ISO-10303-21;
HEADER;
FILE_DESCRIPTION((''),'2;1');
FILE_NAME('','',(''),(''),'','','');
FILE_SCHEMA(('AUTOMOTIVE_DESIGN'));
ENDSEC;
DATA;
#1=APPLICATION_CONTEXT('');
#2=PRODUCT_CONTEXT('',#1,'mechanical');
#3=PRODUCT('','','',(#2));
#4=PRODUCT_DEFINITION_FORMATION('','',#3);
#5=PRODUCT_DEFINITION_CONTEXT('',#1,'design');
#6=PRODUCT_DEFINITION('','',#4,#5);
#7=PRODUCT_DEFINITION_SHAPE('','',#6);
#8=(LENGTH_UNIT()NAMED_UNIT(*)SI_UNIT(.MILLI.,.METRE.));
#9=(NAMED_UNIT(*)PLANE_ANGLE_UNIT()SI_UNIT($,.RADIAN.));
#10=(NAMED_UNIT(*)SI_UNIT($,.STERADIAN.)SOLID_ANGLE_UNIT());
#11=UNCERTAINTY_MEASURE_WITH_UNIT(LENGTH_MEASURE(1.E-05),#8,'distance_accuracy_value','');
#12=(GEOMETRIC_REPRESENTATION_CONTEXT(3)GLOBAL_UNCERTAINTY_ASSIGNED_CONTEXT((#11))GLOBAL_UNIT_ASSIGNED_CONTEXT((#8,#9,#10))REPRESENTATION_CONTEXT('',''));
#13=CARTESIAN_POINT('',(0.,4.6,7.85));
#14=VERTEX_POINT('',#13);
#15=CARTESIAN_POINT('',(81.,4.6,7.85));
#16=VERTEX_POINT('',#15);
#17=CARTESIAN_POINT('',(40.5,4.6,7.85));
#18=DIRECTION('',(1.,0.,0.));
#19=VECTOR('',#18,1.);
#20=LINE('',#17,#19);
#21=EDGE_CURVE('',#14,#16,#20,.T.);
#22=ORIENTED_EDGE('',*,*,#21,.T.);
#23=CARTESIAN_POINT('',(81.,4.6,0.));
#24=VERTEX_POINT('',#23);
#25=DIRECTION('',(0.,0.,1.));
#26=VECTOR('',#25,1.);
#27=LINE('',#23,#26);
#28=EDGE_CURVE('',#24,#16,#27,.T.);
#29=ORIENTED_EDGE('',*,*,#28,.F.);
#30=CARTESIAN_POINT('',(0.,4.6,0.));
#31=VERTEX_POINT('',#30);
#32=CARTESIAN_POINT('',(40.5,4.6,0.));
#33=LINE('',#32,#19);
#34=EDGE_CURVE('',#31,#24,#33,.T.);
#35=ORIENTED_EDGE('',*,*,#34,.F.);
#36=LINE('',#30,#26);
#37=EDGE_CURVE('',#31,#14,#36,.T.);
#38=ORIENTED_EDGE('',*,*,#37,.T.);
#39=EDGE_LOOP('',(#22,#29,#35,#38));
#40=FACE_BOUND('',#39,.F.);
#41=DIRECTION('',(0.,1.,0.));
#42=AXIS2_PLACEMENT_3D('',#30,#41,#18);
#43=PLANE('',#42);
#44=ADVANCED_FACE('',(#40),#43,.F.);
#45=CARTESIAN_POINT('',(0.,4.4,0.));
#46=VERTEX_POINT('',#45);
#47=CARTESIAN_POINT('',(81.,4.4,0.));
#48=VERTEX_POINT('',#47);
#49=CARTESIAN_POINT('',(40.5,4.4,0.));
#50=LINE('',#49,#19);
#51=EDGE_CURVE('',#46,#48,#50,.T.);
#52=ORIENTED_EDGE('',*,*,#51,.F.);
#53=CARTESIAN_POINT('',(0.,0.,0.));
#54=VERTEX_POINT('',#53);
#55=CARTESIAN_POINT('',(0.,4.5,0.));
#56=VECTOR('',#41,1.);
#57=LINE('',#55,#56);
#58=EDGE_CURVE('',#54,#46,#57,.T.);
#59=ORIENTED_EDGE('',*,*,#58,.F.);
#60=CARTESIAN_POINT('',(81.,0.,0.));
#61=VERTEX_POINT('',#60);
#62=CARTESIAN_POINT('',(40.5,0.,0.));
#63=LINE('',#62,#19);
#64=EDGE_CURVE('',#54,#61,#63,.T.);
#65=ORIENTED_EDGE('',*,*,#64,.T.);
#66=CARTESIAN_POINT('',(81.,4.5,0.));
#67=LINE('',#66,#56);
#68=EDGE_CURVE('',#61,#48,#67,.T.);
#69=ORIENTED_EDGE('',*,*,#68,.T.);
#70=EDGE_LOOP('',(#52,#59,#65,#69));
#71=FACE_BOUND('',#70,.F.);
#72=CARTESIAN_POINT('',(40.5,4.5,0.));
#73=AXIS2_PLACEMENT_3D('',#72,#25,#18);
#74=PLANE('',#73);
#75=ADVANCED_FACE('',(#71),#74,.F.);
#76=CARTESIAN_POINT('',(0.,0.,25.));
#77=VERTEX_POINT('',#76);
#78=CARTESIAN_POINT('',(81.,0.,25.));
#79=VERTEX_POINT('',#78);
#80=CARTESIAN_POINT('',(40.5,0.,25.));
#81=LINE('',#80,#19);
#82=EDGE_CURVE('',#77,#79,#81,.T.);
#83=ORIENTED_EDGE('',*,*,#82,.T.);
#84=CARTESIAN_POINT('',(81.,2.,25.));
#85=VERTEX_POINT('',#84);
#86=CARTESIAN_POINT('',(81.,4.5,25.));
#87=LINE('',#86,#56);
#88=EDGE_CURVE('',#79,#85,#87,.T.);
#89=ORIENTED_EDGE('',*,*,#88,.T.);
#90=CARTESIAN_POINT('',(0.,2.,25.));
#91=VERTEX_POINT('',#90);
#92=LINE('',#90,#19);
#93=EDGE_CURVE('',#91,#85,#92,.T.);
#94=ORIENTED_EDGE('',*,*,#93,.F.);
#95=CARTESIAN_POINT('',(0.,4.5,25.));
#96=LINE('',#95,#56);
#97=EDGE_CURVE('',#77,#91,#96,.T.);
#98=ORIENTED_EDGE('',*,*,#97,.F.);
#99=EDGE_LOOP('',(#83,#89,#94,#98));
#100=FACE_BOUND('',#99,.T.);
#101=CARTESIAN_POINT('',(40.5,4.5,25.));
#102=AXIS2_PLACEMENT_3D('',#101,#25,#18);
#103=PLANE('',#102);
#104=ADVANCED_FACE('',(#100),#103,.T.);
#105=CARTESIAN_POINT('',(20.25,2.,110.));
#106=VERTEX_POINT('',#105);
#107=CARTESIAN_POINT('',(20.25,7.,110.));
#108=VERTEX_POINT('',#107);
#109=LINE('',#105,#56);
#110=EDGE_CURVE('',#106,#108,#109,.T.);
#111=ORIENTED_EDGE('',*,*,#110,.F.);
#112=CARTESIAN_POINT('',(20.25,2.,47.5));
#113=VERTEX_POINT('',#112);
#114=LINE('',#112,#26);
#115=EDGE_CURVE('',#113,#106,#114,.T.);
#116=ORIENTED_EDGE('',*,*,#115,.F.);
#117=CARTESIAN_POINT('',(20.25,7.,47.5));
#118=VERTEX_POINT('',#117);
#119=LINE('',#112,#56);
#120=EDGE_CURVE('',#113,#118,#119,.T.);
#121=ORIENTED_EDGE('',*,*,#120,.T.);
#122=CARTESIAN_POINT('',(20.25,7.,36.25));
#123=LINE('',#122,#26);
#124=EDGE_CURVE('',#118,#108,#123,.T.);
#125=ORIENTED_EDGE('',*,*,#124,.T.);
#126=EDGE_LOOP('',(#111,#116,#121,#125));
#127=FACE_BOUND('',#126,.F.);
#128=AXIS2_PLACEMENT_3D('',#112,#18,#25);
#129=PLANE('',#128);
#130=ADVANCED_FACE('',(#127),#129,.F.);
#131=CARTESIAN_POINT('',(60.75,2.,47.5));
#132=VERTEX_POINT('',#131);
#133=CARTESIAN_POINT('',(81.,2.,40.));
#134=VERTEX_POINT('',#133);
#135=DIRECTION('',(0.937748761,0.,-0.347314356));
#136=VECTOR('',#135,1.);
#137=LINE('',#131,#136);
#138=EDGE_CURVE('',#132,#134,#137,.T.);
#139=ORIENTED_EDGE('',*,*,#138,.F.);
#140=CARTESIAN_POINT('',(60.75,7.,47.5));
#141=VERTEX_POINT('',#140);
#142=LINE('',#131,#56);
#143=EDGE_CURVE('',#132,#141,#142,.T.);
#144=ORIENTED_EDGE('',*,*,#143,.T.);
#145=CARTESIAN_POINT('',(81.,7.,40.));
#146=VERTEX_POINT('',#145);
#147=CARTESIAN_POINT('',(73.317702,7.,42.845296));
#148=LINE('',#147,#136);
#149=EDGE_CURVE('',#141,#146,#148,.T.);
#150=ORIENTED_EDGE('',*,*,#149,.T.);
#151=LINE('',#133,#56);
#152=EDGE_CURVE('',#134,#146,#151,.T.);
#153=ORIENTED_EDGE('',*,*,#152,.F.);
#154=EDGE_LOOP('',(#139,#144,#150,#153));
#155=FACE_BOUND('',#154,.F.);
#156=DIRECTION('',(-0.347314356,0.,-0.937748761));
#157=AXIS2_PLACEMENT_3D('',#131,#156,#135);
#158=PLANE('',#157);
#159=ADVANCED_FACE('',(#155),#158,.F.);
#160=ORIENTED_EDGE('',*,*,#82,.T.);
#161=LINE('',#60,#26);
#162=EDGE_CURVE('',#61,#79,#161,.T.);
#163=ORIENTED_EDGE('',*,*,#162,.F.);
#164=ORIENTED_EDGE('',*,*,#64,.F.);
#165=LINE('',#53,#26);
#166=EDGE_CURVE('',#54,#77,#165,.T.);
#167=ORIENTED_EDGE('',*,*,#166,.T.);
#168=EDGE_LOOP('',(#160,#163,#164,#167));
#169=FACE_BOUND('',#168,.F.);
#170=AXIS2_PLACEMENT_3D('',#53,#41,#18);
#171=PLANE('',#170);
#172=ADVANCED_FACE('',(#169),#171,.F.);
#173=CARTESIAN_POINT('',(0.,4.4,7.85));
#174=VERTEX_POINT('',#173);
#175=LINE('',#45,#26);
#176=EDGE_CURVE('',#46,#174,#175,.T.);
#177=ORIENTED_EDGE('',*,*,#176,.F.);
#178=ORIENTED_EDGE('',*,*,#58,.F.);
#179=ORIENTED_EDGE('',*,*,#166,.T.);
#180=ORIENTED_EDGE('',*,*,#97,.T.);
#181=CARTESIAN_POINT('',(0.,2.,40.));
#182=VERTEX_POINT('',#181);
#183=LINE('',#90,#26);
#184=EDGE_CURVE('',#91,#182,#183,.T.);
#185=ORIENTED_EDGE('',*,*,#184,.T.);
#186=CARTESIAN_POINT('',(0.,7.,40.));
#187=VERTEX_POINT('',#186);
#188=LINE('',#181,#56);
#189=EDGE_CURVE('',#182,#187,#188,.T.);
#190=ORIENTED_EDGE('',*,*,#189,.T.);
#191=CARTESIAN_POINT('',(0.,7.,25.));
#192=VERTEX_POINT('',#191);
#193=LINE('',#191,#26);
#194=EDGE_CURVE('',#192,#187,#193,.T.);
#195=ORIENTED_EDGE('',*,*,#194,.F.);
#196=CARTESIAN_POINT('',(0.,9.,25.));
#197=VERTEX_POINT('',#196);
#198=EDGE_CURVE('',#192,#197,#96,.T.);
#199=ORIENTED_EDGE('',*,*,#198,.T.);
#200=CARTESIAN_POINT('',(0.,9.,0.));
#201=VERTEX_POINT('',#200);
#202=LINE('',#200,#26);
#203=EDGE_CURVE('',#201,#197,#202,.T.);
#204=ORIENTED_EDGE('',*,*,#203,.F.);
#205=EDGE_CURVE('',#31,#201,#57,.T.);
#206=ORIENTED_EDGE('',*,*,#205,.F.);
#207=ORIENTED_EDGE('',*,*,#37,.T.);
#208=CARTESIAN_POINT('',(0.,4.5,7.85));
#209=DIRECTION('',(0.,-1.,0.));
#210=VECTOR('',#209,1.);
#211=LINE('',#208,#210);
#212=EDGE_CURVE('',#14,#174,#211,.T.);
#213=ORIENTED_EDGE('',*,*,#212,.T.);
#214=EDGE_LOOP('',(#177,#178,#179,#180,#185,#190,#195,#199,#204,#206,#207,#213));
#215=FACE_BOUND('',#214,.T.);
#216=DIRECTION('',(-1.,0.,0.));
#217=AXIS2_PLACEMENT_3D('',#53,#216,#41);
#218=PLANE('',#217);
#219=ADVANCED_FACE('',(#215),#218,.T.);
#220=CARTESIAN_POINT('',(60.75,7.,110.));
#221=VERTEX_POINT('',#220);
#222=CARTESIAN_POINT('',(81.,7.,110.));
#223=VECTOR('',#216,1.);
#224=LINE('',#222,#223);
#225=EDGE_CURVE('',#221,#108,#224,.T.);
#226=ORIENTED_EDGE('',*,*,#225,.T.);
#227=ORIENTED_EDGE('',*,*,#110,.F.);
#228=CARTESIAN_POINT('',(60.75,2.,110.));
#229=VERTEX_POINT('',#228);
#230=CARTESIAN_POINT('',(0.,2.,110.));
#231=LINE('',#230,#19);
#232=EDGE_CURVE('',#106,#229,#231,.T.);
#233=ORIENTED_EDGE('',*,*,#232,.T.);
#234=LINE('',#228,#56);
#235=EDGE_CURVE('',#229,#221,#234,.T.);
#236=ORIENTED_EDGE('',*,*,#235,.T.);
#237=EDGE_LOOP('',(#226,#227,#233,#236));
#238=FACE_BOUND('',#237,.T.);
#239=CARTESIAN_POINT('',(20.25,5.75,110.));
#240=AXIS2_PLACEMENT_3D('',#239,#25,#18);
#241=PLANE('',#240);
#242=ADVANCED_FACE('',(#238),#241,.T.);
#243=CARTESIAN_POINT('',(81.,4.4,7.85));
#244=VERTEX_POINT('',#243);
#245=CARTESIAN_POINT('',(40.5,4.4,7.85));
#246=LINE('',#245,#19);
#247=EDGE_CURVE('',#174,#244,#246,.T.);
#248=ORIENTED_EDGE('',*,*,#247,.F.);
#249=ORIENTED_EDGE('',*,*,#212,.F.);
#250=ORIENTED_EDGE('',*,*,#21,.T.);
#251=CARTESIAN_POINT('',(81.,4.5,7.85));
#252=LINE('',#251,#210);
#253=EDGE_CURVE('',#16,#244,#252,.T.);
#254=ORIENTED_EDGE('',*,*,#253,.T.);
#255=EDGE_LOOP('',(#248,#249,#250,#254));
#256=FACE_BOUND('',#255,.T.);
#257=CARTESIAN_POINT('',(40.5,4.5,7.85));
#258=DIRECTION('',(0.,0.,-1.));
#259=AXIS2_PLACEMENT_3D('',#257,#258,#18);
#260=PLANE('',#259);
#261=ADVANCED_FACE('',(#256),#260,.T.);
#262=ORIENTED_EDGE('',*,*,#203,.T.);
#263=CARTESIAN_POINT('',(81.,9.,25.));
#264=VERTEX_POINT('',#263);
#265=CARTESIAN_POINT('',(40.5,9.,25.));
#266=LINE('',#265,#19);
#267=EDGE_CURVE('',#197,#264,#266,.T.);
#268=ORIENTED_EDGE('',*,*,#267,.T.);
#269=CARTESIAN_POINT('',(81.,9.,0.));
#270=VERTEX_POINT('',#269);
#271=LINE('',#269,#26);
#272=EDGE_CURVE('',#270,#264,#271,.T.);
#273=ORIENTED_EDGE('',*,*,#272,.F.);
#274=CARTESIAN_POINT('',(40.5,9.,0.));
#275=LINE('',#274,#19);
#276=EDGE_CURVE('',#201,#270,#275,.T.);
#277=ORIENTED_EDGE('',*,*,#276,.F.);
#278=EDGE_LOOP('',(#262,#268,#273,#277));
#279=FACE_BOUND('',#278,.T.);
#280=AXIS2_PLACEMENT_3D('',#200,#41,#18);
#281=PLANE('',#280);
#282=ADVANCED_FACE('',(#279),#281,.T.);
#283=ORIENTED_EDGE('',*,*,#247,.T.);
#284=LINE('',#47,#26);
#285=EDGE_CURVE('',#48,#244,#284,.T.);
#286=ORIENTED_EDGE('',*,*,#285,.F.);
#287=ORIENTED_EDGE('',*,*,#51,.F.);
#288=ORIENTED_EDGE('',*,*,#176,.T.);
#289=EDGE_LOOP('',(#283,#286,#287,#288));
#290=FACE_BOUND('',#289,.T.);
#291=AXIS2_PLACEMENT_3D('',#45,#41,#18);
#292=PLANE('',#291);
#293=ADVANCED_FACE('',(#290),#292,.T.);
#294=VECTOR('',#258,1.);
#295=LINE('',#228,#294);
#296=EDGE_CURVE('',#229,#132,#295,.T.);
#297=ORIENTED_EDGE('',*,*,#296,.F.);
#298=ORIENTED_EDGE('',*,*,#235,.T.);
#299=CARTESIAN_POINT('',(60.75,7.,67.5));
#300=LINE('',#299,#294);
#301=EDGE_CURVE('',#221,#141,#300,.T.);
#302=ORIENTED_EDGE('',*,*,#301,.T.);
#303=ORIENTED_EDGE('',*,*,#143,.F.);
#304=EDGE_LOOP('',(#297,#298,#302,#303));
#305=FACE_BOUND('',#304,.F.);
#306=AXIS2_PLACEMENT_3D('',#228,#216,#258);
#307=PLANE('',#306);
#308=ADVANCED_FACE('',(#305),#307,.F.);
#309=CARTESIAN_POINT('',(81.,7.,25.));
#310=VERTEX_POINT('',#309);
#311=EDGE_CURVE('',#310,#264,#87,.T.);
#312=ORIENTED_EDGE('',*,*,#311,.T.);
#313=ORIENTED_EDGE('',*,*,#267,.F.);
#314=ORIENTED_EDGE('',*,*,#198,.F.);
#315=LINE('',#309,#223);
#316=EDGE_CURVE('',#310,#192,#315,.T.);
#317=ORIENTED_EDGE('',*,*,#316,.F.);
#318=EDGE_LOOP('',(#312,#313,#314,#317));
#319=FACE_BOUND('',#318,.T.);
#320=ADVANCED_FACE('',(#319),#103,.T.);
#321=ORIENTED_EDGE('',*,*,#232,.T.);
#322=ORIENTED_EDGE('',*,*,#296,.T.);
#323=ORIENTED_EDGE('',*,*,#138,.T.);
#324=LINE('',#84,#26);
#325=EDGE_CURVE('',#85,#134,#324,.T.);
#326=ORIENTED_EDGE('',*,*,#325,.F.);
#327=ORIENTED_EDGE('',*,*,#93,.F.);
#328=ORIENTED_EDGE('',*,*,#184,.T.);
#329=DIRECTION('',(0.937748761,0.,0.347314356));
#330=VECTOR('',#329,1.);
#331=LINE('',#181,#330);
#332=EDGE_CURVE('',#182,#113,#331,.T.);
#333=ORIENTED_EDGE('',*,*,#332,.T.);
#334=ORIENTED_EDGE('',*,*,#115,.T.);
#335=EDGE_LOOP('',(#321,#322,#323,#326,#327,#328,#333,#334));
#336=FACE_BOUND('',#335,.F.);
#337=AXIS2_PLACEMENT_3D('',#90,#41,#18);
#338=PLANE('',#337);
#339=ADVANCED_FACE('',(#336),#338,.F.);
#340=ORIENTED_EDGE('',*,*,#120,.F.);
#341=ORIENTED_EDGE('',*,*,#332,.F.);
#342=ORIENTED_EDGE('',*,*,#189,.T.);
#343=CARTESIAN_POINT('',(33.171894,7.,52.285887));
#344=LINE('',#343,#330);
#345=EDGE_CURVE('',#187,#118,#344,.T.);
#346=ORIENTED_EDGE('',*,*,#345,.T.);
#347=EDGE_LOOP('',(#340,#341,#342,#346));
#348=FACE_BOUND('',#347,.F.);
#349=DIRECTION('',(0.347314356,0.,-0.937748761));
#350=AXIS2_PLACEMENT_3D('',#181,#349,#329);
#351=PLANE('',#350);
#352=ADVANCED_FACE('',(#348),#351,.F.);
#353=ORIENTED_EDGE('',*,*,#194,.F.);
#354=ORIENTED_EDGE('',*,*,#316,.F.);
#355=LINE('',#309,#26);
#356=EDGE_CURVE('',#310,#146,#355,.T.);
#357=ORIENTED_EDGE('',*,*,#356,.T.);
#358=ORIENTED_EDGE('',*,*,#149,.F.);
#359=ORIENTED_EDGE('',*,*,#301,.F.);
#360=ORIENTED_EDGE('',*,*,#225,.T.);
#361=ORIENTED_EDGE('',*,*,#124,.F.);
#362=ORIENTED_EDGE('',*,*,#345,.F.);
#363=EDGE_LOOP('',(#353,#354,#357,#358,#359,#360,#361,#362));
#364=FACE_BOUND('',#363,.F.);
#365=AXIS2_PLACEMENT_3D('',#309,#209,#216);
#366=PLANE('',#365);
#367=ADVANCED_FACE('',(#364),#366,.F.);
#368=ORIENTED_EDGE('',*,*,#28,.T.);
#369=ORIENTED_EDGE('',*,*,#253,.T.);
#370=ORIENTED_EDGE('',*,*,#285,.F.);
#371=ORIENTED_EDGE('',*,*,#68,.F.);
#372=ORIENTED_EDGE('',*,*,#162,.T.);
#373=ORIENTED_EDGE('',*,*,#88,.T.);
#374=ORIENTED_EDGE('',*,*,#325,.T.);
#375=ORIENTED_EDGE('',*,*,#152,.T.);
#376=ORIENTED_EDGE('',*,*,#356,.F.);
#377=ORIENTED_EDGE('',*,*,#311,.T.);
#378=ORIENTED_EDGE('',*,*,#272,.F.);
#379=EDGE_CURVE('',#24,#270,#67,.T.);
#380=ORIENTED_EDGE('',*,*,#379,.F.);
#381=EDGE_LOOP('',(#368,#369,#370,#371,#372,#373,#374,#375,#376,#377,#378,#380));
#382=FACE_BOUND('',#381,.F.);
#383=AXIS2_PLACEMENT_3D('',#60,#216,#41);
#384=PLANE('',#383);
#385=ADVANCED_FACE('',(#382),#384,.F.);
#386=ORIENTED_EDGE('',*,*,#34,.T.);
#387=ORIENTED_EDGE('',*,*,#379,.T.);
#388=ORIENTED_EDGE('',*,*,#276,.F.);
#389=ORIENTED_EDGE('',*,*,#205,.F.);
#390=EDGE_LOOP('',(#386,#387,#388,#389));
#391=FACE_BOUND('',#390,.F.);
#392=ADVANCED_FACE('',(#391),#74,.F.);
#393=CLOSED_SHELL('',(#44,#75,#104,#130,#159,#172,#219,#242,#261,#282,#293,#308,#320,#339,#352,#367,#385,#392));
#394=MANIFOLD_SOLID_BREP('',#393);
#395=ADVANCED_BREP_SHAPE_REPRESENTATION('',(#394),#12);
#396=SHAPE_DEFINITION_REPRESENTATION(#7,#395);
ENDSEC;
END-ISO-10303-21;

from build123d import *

# Parameters (mm, degrees)
F0_W     = 81
F0_H     = 9
F1_DEPTH = 25
F2_W     = 81
F2_H     = 0.2
F3_DEPTH = 7.85
F4_W     = 40.5
F4_H     = 2.5
F5_DEPTH = 85
F7_DEPTH = 25


with BuildPart() as f1:
    # F0 (on Top) → F1 (new body)
    with BuildSketch(Plane.XY):
        with Locations((40.5, 4.5)):
            Rectangle(F0_W, F0_H)
    extrude(amount=F1_DEPTH)

    # F2 (on face) → F3 (cut)
    with BuildSketch(Plane(origin=(0, 0, 0), x_dir=(1, 0, 0), z_dir=(0, 0, -1))):
        with Locations((40.5, -4.5)):
            Rectangle(F2_W, F2_H)
    extrude(amount=-F3_DEPTH, mode=Mode.SUBTRACT)

    # F4 (on face) → F5 (join)
    with BuildSketch(Plane.XY.offset(25)):
        with Locations((20.25, 5.75)):
            Rectangle(F4_W, F4_H)
        with Locations((20.25, 3.25)):
            Rectangle(F4_W, F4_H)
        with Locations((60.75, 3.25)):
            Rectangle(F4_W, F4_H)
        with Locations((60.75, 5.75)):
            Rectangle(F4_W, F4_H)
    extrude(amount=F5_DEPTH)

    # F6 (on face) → F7 (cut)
    with BuildSketch(Plane.XZ.offset(-2)):
        Polygon((0, 110), (0, 40), (20.25, 47.5), (20.25, 110), align=None)
        Polygon((60.75, 47.5), (81, 40), (81, 110), (60.75, 110), align=None)
    extrude(amount=-F7_DEPTH, mode=Mode.SUBTRACT)


solid = f1.part
